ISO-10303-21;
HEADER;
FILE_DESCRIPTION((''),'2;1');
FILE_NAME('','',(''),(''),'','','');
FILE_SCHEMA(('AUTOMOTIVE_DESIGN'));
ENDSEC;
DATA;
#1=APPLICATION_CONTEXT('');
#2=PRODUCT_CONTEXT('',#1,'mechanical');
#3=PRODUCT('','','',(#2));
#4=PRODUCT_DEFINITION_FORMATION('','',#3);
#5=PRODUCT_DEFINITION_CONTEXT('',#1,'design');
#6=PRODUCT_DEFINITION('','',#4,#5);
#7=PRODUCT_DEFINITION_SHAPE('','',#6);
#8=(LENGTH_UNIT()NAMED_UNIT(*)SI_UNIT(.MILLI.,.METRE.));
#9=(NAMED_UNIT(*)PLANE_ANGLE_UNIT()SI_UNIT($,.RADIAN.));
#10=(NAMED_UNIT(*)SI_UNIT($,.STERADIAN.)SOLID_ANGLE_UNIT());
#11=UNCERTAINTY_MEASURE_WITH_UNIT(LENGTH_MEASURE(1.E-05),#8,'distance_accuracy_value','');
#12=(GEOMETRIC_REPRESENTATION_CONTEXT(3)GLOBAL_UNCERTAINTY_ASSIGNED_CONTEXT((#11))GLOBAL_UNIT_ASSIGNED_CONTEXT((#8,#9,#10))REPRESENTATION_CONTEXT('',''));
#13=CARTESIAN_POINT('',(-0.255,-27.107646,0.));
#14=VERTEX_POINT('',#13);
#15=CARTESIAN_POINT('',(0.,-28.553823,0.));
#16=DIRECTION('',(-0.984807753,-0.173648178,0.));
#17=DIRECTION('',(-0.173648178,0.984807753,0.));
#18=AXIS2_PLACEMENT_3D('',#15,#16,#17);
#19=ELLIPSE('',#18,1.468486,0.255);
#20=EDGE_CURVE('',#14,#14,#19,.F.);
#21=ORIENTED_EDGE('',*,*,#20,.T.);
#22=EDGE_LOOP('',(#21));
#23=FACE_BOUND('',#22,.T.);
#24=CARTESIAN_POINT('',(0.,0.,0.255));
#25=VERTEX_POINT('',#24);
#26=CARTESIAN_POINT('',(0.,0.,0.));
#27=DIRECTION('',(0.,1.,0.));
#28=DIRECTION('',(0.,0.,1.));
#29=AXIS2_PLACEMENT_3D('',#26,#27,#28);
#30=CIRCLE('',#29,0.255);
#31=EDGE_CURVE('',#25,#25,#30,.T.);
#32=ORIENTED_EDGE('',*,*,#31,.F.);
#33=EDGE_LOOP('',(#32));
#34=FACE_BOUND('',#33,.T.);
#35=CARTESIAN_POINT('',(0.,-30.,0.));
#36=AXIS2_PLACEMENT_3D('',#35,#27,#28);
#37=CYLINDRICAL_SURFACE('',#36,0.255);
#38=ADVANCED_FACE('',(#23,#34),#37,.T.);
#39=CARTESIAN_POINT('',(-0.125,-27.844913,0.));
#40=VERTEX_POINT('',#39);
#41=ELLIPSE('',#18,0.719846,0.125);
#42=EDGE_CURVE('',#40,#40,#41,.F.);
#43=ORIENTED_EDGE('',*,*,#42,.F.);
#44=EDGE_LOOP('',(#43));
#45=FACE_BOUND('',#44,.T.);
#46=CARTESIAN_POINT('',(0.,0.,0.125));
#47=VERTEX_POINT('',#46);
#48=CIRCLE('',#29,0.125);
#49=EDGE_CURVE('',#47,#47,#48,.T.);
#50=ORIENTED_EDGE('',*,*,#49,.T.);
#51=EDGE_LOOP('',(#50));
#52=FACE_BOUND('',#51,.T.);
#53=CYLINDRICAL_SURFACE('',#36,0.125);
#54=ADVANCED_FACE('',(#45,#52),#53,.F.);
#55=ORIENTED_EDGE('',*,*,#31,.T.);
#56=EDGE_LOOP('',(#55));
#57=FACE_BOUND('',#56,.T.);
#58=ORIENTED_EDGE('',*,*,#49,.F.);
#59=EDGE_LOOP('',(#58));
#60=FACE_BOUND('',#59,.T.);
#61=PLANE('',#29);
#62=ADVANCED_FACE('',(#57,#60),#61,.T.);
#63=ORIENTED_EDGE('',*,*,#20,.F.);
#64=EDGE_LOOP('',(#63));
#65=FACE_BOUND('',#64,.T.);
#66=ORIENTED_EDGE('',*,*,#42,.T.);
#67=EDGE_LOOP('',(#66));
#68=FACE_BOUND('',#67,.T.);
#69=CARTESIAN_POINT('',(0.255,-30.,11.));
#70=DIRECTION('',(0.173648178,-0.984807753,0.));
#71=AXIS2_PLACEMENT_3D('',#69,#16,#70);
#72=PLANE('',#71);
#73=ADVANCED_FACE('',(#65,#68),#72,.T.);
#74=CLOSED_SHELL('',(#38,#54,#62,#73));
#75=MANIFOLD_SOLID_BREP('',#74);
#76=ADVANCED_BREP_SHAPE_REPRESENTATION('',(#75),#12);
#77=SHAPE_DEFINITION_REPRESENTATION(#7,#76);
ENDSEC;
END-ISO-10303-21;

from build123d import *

# Parameters (mm, degrees)
SKETCH_2_R               = 0.255
SKETCH_2_R_2             = 0.125
EXTRUDE_1_DEPTH          = 30
CUT_EXTRUDE_1_DEPTH      = 11
CUT_EXTRUDE_1_DEPTH_BACK = 10


with BuildPart() as part:
    # 草图2 → 凸台-拉伸1 (new body)
    with BuildSketch(Plane(origin=(0, 0, 0), x_dir=(1, 0, 0), z_dir=(0, 1, 0))):
        with Locations(Location((0, 0, 0), (0, 0, 270))):
            Circle(SKETCH_2_R)
        with Locations(Location((0, 0, 0), (0, 0, 270))):
            Circle(SKETCH_2_R_2, mode=Mode.SUBTRACT)
    extrude(amount=-EXTRUDE_1_DEPTH)

    # 草图3 → 切除-拉伸1 (cut, two sides: drawn at the far end of the back side and taken through both)
    with BuildSketch(Plane.XY.offset(-CUT_EXTRUDE_1_DEPTH_BACK)):
        Polygon((8.020684353, -74.041384488), (0.255, -30), (-0.296000993, -26.875118088), (-0.296000993, -80.940381898), (0.255, -80.940381898), (8.020684353, -80.940381898), align=None)
    extrude(amount=CUT_EXTRUDE_1_DEPTH + CUT_EXTRUDE_1_DEPTH_BACK, mode=Mode.SUBTRACT)


solid = part.part
